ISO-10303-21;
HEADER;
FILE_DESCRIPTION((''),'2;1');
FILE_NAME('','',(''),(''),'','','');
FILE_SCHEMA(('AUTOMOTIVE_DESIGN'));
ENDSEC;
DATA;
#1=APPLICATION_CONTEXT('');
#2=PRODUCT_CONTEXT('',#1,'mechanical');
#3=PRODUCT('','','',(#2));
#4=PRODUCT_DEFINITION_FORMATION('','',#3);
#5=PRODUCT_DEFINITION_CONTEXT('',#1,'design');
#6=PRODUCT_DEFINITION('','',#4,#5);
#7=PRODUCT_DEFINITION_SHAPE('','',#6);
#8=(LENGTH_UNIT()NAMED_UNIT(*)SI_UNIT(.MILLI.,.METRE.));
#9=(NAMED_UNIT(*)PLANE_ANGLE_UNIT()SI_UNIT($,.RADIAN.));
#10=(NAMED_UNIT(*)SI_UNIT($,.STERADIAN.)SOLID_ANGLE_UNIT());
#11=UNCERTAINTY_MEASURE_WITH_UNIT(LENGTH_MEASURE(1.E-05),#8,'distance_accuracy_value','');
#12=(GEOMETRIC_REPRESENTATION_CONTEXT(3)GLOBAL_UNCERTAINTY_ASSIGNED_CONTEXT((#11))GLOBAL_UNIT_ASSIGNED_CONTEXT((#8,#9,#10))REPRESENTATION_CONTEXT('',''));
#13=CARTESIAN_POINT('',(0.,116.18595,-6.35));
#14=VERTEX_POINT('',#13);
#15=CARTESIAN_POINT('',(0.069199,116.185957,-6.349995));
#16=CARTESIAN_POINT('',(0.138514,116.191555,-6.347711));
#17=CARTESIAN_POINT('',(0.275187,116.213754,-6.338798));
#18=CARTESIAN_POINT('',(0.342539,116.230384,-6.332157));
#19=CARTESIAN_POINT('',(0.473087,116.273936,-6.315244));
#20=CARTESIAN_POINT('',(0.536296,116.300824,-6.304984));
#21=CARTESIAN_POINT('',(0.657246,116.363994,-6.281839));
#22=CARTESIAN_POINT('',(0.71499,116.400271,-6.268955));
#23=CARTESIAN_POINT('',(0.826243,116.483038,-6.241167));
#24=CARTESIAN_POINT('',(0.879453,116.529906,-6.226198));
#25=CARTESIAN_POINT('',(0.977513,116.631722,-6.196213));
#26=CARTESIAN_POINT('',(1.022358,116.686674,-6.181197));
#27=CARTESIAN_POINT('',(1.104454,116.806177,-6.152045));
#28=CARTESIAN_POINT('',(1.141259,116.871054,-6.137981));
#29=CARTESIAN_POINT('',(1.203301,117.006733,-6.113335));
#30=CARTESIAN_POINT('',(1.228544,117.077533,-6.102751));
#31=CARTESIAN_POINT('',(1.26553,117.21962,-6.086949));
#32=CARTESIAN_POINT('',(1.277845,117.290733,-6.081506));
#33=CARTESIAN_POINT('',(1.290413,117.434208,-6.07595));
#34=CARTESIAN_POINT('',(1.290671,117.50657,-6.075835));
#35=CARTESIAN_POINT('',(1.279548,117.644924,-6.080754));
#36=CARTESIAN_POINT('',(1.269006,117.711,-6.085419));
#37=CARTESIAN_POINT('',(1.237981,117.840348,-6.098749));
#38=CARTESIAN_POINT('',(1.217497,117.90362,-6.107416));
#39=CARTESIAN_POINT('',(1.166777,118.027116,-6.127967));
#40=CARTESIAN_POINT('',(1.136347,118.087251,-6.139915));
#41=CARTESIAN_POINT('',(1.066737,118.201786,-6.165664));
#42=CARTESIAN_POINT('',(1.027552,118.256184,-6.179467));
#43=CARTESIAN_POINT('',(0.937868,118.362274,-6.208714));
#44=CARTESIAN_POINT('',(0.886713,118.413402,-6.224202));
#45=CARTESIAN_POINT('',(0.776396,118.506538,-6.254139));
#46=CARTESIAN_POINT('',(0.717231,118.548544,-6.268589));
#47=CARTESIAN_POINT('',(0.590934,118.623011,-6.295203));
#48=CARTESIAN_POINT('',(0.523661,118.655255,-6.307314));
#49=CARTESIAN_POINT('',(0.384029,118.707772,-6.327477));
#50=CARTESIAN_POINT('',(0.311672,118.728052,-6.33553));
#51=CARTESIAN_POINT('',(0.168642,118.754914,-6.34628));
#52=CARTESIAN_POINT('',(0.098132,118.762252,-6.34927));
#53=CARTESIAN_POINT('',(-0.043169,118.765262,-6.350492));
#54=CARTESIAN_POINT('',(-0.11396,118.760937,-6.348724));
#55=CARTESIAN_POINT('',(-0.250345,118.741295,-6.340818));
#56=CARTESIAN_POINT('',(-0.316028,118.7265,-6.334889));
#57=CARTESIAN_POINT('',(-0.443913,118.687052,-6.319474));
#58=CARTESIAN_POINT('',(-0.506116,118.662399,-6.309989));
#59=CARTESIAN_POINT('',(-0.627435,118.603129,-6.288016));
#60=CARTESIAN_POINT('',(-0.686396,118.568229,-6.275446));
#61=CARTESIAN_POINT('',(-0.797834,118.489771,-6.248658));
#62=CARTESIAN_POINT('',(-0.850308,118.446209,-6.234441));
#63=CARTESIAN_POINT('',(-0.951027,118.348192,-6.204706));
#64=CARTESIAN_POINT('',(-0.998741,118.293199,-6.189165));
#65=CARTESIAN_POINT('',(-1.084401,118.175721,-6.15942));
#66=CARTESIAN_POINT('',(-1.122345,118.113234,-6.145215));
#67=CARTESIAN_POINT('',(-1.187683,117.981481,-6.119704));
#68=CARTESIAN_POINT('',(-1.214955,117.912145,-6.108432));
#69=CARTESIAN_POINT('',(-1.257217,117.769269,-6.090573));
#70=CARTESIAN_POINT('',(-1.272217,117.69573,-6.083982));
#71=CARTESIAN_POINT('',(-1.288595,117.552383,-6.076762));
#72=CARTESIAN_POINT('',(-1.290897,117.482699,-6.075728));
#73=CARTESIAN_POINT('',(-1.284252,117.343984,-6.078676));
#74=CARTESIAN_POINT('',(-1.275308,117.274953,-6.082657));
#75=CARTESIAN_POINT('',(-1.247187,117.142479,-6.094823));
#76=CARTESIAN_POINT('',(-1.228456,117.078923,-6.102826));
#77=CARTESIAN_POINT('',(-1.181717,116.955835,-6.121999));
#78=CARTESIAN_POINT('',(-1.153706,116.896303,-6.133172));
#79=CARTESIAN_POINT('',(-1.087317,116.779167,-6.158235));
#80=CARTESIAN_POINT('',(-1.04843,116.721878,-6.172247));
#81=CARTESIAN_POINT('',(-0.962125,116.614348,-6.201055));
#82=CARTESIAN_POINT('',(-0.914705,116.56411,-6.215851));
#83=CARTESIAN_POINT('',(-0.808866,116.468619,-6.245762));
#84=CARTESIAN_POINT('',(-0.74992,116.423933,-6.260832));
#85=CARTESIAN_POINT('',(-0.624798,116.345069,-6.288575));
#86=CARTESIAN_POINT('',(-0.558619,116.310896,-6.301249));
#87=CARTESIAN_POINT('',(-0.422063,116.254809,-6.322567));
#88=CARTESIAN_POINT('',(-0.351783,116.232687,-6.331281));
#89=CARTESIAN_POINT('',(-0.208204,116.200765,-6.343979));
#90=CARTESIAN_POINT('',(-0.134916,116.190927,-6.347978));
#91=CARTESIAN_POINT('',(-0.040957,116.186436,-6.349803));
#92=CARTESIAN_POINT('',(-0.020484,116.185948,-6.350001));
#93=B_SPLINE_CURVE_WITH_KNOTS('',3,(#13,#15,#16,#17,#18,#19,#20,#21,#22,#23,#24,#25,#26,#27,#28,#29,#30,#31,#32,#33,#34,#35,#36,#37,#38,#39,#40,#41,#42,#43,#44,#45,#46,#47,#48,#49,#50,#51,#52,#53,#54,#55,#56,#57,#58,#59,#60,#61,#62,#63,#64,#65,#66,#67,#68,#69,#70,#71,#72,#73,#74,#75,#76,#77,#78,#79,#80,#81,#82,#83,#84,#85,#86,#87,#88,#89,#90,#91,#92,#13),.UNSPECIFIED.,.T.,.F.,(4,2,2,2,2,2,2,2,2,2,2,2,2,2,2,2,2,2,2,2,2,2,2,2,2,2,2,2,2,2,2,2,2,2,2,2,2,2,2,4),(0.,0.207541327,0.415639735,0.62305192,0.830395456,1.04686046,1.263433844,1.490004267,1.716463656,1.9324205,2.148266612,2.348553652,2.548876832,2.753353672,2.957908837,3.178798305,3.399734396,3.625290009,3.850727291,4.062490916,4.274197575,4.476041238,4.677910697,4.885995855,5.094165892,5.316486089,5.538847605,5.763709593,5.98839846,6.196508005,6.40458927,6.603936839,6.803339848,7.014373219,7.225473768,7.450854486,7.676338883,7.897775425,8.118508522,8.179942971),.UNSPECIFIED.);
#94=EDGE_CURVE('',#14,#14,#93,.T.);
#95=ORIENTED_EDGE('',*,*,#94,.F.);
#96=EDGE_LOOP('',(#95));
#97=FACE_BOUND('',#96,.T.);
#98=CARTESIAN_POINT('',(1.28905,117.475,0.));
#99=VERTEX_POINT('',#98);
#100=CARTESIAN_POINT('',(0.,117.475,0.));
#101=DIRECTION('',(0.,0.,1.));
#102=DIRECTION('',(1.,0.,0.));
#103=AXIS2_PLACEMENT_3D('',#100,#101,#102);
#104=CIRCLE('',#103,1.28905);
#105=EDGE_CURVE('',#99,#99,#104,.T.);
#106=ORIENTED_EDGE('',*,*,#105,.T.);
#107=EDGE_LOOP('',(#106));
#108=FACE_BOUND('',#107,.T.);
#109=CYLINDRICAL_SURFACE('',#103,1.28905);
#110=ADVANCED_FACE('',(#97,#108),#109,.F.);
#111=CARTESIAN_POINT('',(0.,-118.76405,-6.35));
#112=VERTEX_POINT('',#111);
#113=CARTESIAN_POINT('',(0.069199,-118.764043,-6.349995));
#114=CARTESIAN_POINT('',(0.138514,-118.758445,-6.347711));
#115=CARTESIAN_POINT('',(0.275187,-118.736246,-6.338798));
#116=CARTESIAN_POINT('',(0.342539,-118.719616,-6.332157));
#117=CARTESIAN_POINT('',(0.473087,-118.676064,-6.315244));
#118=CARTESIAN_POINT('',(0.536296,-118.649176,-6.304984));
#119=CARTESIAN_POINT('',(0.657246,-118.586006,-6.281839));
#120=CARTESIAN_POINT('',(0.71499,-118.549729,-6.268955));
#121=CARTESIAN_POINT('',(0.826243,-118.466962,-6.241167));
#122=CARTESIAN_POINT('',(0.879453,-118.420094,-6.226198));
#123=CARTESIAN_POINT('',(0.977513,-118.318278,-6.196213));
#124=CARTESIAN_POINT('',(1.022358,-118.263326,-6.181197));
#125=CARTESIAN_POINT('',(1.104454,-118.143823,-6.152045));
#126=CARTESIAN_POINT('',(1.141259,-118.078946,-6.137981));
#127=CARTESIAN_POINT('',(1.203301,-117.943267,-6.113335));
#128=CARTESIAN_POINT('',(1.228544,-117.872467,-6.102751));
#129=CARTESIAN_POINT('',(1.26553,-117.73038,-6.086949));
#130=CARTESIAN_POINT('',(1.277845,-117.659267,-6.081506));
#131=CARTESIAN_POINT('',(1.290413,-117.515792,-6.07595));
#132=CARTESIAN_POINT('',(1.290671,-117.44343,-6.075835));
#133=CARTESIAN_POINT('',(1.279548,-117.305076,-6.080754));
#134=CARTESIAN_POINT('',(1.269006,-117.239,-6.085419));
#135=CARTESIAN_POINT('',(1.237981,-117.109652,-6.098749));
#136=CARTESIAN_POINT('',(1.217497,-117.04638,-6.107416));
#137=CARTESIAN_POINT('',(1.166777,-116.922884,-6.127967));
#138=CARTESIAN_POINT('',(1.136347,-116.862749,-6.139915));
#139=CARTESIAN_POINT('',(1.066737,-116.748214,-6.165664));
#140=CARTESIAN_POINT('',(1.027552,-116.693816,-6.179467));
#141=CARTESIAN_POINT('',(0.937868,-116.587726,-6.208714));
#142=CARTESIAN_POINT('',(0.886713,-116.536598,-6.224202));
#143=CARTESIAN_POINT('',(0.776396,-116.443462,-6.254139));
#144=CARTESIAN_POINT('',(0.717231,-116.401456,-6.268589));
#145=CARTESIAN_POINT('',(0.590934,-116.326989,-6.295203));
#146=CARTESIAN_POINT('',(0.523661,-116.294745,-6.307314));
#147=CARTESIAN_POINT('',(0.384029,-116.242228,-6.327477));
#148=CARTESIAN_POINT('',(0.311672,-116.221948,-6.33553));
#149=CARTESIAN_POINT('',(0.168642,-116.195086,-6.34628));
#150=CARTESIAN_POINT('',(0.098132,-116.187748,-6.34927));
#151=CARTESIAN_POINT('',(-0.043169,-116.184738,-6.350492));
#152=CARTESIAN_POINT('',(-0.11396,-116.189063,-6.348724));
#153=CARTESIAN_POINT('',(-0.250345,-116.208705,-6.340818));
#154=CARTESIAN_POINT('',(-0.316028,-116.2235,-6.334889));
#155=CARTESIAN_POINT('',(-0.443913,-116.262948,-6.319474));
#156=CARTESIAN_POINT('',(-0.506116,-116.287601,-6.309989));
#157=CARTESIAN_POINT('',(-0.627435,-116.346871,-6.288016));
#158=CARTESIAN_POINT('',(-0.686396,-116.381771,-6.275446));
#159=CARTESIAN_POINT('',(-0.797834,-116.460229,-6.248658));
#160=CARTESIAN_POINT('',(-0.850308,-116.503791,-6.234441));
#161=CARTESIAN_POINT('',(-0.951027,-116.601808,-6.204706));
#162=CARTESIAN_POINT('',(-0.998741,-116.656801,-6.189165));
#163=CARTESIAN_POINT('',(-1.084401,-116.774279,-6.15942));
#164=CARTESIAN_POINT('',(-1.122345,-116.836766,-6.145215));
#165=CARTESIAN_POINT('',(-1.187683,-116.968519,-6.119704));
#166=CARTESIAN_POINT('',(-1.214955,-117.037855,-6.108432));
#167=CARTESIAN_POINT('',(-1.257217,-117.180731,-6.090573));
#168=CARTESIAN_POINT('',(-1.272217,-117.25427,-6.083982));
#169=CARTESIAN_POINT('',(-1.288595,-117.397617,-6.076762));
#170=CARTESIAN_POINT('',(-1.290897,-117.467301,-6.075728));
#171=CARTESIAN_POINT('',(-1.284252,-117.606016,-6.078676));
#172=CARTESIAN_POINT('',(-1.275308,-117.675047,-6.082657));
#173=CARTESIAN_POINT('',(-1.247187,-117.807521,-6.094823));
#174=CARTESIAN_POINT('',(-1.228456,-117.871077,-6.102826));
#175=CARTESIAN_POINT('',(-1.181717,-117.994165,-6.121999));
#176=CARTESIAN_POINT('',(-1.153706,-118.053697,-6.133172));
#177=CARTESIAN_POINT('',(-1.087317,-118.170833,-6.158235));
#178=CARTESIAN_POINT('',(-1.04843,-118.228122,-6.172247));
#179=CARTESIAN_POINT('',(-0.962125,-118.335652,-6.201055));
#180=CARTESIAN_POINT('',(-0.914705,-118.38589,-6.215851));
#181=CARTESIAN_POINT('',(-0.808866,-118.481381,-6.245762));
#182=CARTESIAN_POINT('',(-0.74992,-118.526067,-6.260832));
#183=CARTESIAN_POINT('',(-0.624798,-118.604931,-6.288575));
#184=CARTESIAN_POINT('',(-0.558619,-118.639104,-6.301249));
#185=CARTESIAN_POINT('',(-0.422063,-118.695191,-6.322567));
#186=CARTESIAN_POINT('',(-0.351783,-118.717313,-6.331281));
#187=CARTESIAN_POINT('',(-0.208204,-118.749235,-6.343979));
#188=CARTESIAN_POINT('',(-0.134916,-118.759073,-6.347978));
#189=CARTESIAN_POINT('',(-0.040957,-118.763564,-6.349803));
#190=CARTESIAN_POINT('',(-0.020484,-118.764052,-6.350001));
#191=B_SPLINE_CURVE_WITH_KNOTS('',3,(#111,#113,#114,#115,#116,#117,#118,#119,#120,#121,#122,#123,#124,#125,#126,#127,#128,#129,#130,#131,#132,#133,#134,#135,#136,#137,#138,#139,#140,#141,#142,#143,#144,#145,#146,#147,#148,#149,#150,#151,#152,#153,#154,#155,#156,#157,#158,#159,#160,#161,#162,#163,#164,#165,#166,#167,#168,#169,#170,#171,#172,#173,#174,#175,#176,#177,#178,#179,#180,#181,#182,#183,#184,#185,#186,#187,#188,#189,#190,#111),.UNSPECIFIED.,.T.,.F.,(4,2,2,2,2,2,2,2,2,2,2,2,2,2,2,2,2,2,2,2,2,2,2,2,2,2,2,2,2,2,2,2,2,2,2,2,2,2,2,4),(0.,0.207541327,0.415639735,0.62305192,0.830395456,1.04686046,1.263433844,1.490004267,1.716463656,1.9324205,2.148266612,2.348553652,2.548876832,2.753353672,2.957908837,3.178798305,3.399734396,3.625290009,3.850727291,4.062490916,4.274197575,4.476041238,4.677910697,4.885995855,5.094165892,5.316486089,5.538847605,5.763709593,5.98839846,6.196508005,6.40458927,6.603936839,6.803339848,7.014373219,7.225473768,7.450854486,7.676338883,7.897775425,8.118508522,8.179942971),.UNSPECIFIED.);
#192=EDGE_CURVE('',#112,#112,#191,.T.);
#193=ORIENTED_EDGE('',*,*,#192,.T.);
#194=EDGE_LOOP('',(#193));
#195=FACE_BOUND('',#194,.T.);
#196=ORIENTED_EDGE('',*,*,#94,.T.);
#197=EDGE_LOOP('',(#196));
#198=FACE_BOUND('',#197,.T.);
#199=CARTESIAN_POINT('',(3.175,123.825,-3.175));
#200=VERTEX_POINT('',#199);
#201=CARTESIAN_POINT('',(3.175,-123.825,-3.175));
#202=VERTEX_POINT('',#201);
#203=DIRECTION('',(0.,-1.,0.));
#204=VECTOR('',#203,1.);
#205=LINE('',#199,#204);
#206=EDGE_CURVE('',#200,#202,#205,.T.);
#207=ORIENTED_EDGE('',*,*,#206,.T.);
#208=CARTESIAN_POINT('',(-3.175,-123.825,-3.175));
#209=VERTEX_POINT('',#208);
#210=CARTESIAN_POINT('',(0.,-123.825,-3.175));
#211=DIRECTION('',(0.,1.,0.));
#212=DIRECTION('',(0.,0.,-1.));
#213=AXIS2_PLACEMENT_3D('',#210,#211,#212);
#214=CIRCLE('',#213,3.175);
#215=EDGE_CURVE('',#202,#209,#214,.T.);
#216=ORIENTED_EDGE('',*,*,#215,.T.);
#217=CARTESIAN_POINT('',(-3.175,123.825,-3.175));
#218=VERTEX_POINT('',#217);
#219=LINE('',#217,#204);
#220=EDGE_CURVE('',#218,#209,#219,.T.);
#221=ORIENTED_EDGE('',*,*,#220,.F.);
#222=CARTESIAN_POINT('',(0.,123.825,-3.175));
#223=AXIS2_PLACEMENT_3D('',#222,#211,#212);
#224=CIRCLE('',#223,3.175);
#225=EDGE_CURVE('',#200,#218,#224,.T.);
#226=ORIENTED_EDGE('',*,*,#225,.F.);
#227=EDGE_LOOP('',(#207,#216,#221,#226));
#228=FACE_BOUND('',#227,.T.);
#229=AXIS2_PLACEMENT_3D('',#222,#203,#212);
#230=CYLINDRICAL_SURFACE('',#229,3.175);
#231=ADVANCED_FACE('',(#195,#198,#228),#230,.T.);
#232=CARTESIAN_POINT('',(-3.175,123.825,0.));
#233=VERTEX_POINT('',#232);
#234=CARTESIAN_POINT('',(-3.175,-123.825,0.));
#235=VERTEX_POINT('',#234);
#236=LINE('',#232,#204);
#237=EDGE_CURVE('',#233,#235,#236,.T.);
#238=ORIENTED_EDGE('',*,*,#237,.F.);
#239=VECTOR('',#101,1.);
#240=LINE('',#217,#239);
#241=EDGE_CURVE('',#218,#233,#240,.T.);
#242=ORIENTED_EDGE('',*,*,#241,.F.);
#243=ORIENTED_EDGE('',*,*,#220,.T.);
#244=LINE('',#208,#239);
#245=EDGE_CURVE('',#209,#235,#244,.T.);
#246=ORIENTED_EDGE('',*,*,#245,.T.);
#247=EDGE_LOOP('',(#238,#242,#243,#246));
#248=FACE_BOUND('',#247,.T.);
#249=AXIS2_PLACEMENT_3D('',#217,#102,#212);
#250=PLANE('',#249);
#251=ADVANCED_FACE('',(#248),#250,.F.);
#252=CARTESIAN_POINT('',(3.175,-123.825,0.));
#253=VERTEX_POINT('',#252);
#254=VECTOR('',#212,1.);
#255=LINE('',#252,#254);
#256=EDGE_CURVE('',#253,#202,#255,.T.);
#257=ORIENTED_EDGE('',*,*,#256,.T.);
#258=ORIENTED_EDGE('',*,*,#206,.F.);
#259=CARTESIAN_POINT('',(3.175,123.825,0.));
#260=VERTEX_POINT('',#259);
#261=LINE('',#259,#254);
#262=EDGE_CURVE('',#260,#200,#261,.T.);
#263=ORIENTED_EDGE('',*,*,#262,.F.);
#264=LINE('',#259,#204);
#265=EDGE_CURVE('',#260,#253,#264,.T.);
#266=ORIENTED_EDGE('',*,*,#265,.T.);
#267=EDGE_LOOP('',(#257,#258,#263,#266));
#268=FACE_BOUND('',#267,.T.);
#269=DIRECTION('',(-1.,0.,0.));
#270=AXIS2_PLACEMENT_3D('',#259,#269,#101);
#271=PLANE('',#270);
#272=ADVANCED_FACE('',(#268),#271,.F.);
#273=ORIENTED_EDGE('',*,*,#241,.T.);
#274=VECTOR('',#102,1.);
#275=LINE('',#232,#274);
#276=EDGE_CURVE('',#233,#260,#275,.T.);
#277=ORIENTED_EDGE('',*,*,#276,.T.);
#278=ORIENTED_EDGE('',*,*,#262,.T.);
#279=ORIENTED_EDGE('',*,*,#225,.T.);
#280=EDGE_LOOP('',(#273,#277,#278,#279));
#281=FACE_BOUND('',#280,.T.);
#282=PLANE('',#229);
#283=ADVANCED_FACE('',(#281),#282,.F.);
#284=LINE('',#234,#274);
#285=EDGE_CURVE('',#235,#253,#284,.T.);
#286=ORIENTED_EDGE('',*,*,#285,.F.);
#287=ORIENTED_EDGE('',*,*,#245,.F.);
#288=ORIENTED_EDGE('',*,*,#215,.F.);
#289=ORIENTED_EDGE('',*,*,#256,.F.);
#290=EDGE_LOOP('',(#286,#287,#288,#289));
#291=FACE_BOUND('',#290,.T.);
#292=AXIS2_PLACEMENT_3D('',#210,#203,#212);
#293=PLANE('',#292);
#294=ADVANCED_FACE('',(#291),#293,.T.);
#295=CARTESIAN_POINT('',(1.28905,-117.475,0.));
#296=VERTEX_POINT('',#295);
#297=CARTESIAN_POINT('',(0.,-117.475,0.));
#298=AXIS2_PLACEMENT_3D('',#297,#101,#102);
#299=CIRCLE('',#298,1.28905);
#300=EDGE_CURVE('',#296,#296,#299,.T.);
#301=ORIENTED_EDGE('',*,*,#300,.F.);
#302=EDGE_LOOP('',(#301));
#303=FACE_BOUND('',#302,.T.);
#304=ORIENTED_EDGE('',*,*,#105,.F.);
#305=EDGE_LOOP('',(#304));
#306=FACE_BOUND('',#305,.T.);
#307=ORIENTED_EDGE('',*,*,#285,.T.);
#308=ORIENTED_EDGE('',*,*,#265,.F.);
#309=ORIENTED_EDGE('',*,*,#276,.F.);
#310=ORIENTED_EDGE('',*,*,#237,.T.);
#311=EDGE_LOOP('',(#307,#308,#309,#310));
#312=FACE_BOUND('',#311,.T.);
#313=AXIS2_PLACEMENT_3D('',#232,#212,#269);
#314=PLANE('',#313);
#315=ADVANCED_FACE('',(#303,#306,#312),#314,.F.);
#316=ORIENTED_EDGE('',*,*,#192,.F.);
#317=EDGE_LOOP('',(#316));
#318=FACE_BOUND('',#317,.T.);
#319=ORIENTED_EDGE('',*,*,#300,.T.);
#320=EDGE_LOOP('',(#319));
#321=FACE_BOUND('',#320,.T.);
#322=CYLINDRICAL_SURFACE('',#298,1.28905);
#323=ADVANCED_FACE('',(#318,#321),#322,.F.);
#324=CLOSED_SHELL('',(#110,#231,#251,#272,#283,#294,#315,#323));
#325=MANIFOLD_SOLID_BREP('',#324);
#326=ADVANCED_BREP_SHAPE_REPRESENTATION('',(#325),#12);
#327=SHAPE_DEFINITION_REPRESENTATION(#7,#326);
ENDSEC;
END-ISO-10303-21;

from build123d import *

# Parameters (mm, degrees)
BOSS_EXTRUDE1_DEPTH   = 123.825
F_5_40_TAPPED_HOLE1_D = 2.5781


with BuildPart() as part:
    # Sketch1 → Boss-Extrude1 (new, symmetric)
    with BuildSketch(Plane(origin=(0, 0, 0), x_dir=(1, 0, 0), z_dir=(0, 1, 0))):
        with BuildLine():
            Line((-3.175, 3.175), (-3.175, 0))
            Line((-3.175, 0), (3.175, 0))
            Line((3.175, 0), (3.175, 3.175))
            ThreePointArc((3.175, 3.175), (0, 6.35), (-3.175, 3.175))
        make_face()
    extrude(amount=BOSS_EXTRUDE1_DEPTH, both=True)

    # #5-40 Tapped Hole1 (through all)
    with Locations(Plane.XY):
        with Locations((0, -117.475)):
            f_5_40_tapped_hole1 = Hole(F_5_40_TAPPED_HOLE1_D / 2)

    # Mirror1: #5-40 Tapped Hole1 across plane
    add(f_5_40_tapped_hole1.mirror(Plane.ZX), mode=Mode.SUBTRACT)


solid = part.part
